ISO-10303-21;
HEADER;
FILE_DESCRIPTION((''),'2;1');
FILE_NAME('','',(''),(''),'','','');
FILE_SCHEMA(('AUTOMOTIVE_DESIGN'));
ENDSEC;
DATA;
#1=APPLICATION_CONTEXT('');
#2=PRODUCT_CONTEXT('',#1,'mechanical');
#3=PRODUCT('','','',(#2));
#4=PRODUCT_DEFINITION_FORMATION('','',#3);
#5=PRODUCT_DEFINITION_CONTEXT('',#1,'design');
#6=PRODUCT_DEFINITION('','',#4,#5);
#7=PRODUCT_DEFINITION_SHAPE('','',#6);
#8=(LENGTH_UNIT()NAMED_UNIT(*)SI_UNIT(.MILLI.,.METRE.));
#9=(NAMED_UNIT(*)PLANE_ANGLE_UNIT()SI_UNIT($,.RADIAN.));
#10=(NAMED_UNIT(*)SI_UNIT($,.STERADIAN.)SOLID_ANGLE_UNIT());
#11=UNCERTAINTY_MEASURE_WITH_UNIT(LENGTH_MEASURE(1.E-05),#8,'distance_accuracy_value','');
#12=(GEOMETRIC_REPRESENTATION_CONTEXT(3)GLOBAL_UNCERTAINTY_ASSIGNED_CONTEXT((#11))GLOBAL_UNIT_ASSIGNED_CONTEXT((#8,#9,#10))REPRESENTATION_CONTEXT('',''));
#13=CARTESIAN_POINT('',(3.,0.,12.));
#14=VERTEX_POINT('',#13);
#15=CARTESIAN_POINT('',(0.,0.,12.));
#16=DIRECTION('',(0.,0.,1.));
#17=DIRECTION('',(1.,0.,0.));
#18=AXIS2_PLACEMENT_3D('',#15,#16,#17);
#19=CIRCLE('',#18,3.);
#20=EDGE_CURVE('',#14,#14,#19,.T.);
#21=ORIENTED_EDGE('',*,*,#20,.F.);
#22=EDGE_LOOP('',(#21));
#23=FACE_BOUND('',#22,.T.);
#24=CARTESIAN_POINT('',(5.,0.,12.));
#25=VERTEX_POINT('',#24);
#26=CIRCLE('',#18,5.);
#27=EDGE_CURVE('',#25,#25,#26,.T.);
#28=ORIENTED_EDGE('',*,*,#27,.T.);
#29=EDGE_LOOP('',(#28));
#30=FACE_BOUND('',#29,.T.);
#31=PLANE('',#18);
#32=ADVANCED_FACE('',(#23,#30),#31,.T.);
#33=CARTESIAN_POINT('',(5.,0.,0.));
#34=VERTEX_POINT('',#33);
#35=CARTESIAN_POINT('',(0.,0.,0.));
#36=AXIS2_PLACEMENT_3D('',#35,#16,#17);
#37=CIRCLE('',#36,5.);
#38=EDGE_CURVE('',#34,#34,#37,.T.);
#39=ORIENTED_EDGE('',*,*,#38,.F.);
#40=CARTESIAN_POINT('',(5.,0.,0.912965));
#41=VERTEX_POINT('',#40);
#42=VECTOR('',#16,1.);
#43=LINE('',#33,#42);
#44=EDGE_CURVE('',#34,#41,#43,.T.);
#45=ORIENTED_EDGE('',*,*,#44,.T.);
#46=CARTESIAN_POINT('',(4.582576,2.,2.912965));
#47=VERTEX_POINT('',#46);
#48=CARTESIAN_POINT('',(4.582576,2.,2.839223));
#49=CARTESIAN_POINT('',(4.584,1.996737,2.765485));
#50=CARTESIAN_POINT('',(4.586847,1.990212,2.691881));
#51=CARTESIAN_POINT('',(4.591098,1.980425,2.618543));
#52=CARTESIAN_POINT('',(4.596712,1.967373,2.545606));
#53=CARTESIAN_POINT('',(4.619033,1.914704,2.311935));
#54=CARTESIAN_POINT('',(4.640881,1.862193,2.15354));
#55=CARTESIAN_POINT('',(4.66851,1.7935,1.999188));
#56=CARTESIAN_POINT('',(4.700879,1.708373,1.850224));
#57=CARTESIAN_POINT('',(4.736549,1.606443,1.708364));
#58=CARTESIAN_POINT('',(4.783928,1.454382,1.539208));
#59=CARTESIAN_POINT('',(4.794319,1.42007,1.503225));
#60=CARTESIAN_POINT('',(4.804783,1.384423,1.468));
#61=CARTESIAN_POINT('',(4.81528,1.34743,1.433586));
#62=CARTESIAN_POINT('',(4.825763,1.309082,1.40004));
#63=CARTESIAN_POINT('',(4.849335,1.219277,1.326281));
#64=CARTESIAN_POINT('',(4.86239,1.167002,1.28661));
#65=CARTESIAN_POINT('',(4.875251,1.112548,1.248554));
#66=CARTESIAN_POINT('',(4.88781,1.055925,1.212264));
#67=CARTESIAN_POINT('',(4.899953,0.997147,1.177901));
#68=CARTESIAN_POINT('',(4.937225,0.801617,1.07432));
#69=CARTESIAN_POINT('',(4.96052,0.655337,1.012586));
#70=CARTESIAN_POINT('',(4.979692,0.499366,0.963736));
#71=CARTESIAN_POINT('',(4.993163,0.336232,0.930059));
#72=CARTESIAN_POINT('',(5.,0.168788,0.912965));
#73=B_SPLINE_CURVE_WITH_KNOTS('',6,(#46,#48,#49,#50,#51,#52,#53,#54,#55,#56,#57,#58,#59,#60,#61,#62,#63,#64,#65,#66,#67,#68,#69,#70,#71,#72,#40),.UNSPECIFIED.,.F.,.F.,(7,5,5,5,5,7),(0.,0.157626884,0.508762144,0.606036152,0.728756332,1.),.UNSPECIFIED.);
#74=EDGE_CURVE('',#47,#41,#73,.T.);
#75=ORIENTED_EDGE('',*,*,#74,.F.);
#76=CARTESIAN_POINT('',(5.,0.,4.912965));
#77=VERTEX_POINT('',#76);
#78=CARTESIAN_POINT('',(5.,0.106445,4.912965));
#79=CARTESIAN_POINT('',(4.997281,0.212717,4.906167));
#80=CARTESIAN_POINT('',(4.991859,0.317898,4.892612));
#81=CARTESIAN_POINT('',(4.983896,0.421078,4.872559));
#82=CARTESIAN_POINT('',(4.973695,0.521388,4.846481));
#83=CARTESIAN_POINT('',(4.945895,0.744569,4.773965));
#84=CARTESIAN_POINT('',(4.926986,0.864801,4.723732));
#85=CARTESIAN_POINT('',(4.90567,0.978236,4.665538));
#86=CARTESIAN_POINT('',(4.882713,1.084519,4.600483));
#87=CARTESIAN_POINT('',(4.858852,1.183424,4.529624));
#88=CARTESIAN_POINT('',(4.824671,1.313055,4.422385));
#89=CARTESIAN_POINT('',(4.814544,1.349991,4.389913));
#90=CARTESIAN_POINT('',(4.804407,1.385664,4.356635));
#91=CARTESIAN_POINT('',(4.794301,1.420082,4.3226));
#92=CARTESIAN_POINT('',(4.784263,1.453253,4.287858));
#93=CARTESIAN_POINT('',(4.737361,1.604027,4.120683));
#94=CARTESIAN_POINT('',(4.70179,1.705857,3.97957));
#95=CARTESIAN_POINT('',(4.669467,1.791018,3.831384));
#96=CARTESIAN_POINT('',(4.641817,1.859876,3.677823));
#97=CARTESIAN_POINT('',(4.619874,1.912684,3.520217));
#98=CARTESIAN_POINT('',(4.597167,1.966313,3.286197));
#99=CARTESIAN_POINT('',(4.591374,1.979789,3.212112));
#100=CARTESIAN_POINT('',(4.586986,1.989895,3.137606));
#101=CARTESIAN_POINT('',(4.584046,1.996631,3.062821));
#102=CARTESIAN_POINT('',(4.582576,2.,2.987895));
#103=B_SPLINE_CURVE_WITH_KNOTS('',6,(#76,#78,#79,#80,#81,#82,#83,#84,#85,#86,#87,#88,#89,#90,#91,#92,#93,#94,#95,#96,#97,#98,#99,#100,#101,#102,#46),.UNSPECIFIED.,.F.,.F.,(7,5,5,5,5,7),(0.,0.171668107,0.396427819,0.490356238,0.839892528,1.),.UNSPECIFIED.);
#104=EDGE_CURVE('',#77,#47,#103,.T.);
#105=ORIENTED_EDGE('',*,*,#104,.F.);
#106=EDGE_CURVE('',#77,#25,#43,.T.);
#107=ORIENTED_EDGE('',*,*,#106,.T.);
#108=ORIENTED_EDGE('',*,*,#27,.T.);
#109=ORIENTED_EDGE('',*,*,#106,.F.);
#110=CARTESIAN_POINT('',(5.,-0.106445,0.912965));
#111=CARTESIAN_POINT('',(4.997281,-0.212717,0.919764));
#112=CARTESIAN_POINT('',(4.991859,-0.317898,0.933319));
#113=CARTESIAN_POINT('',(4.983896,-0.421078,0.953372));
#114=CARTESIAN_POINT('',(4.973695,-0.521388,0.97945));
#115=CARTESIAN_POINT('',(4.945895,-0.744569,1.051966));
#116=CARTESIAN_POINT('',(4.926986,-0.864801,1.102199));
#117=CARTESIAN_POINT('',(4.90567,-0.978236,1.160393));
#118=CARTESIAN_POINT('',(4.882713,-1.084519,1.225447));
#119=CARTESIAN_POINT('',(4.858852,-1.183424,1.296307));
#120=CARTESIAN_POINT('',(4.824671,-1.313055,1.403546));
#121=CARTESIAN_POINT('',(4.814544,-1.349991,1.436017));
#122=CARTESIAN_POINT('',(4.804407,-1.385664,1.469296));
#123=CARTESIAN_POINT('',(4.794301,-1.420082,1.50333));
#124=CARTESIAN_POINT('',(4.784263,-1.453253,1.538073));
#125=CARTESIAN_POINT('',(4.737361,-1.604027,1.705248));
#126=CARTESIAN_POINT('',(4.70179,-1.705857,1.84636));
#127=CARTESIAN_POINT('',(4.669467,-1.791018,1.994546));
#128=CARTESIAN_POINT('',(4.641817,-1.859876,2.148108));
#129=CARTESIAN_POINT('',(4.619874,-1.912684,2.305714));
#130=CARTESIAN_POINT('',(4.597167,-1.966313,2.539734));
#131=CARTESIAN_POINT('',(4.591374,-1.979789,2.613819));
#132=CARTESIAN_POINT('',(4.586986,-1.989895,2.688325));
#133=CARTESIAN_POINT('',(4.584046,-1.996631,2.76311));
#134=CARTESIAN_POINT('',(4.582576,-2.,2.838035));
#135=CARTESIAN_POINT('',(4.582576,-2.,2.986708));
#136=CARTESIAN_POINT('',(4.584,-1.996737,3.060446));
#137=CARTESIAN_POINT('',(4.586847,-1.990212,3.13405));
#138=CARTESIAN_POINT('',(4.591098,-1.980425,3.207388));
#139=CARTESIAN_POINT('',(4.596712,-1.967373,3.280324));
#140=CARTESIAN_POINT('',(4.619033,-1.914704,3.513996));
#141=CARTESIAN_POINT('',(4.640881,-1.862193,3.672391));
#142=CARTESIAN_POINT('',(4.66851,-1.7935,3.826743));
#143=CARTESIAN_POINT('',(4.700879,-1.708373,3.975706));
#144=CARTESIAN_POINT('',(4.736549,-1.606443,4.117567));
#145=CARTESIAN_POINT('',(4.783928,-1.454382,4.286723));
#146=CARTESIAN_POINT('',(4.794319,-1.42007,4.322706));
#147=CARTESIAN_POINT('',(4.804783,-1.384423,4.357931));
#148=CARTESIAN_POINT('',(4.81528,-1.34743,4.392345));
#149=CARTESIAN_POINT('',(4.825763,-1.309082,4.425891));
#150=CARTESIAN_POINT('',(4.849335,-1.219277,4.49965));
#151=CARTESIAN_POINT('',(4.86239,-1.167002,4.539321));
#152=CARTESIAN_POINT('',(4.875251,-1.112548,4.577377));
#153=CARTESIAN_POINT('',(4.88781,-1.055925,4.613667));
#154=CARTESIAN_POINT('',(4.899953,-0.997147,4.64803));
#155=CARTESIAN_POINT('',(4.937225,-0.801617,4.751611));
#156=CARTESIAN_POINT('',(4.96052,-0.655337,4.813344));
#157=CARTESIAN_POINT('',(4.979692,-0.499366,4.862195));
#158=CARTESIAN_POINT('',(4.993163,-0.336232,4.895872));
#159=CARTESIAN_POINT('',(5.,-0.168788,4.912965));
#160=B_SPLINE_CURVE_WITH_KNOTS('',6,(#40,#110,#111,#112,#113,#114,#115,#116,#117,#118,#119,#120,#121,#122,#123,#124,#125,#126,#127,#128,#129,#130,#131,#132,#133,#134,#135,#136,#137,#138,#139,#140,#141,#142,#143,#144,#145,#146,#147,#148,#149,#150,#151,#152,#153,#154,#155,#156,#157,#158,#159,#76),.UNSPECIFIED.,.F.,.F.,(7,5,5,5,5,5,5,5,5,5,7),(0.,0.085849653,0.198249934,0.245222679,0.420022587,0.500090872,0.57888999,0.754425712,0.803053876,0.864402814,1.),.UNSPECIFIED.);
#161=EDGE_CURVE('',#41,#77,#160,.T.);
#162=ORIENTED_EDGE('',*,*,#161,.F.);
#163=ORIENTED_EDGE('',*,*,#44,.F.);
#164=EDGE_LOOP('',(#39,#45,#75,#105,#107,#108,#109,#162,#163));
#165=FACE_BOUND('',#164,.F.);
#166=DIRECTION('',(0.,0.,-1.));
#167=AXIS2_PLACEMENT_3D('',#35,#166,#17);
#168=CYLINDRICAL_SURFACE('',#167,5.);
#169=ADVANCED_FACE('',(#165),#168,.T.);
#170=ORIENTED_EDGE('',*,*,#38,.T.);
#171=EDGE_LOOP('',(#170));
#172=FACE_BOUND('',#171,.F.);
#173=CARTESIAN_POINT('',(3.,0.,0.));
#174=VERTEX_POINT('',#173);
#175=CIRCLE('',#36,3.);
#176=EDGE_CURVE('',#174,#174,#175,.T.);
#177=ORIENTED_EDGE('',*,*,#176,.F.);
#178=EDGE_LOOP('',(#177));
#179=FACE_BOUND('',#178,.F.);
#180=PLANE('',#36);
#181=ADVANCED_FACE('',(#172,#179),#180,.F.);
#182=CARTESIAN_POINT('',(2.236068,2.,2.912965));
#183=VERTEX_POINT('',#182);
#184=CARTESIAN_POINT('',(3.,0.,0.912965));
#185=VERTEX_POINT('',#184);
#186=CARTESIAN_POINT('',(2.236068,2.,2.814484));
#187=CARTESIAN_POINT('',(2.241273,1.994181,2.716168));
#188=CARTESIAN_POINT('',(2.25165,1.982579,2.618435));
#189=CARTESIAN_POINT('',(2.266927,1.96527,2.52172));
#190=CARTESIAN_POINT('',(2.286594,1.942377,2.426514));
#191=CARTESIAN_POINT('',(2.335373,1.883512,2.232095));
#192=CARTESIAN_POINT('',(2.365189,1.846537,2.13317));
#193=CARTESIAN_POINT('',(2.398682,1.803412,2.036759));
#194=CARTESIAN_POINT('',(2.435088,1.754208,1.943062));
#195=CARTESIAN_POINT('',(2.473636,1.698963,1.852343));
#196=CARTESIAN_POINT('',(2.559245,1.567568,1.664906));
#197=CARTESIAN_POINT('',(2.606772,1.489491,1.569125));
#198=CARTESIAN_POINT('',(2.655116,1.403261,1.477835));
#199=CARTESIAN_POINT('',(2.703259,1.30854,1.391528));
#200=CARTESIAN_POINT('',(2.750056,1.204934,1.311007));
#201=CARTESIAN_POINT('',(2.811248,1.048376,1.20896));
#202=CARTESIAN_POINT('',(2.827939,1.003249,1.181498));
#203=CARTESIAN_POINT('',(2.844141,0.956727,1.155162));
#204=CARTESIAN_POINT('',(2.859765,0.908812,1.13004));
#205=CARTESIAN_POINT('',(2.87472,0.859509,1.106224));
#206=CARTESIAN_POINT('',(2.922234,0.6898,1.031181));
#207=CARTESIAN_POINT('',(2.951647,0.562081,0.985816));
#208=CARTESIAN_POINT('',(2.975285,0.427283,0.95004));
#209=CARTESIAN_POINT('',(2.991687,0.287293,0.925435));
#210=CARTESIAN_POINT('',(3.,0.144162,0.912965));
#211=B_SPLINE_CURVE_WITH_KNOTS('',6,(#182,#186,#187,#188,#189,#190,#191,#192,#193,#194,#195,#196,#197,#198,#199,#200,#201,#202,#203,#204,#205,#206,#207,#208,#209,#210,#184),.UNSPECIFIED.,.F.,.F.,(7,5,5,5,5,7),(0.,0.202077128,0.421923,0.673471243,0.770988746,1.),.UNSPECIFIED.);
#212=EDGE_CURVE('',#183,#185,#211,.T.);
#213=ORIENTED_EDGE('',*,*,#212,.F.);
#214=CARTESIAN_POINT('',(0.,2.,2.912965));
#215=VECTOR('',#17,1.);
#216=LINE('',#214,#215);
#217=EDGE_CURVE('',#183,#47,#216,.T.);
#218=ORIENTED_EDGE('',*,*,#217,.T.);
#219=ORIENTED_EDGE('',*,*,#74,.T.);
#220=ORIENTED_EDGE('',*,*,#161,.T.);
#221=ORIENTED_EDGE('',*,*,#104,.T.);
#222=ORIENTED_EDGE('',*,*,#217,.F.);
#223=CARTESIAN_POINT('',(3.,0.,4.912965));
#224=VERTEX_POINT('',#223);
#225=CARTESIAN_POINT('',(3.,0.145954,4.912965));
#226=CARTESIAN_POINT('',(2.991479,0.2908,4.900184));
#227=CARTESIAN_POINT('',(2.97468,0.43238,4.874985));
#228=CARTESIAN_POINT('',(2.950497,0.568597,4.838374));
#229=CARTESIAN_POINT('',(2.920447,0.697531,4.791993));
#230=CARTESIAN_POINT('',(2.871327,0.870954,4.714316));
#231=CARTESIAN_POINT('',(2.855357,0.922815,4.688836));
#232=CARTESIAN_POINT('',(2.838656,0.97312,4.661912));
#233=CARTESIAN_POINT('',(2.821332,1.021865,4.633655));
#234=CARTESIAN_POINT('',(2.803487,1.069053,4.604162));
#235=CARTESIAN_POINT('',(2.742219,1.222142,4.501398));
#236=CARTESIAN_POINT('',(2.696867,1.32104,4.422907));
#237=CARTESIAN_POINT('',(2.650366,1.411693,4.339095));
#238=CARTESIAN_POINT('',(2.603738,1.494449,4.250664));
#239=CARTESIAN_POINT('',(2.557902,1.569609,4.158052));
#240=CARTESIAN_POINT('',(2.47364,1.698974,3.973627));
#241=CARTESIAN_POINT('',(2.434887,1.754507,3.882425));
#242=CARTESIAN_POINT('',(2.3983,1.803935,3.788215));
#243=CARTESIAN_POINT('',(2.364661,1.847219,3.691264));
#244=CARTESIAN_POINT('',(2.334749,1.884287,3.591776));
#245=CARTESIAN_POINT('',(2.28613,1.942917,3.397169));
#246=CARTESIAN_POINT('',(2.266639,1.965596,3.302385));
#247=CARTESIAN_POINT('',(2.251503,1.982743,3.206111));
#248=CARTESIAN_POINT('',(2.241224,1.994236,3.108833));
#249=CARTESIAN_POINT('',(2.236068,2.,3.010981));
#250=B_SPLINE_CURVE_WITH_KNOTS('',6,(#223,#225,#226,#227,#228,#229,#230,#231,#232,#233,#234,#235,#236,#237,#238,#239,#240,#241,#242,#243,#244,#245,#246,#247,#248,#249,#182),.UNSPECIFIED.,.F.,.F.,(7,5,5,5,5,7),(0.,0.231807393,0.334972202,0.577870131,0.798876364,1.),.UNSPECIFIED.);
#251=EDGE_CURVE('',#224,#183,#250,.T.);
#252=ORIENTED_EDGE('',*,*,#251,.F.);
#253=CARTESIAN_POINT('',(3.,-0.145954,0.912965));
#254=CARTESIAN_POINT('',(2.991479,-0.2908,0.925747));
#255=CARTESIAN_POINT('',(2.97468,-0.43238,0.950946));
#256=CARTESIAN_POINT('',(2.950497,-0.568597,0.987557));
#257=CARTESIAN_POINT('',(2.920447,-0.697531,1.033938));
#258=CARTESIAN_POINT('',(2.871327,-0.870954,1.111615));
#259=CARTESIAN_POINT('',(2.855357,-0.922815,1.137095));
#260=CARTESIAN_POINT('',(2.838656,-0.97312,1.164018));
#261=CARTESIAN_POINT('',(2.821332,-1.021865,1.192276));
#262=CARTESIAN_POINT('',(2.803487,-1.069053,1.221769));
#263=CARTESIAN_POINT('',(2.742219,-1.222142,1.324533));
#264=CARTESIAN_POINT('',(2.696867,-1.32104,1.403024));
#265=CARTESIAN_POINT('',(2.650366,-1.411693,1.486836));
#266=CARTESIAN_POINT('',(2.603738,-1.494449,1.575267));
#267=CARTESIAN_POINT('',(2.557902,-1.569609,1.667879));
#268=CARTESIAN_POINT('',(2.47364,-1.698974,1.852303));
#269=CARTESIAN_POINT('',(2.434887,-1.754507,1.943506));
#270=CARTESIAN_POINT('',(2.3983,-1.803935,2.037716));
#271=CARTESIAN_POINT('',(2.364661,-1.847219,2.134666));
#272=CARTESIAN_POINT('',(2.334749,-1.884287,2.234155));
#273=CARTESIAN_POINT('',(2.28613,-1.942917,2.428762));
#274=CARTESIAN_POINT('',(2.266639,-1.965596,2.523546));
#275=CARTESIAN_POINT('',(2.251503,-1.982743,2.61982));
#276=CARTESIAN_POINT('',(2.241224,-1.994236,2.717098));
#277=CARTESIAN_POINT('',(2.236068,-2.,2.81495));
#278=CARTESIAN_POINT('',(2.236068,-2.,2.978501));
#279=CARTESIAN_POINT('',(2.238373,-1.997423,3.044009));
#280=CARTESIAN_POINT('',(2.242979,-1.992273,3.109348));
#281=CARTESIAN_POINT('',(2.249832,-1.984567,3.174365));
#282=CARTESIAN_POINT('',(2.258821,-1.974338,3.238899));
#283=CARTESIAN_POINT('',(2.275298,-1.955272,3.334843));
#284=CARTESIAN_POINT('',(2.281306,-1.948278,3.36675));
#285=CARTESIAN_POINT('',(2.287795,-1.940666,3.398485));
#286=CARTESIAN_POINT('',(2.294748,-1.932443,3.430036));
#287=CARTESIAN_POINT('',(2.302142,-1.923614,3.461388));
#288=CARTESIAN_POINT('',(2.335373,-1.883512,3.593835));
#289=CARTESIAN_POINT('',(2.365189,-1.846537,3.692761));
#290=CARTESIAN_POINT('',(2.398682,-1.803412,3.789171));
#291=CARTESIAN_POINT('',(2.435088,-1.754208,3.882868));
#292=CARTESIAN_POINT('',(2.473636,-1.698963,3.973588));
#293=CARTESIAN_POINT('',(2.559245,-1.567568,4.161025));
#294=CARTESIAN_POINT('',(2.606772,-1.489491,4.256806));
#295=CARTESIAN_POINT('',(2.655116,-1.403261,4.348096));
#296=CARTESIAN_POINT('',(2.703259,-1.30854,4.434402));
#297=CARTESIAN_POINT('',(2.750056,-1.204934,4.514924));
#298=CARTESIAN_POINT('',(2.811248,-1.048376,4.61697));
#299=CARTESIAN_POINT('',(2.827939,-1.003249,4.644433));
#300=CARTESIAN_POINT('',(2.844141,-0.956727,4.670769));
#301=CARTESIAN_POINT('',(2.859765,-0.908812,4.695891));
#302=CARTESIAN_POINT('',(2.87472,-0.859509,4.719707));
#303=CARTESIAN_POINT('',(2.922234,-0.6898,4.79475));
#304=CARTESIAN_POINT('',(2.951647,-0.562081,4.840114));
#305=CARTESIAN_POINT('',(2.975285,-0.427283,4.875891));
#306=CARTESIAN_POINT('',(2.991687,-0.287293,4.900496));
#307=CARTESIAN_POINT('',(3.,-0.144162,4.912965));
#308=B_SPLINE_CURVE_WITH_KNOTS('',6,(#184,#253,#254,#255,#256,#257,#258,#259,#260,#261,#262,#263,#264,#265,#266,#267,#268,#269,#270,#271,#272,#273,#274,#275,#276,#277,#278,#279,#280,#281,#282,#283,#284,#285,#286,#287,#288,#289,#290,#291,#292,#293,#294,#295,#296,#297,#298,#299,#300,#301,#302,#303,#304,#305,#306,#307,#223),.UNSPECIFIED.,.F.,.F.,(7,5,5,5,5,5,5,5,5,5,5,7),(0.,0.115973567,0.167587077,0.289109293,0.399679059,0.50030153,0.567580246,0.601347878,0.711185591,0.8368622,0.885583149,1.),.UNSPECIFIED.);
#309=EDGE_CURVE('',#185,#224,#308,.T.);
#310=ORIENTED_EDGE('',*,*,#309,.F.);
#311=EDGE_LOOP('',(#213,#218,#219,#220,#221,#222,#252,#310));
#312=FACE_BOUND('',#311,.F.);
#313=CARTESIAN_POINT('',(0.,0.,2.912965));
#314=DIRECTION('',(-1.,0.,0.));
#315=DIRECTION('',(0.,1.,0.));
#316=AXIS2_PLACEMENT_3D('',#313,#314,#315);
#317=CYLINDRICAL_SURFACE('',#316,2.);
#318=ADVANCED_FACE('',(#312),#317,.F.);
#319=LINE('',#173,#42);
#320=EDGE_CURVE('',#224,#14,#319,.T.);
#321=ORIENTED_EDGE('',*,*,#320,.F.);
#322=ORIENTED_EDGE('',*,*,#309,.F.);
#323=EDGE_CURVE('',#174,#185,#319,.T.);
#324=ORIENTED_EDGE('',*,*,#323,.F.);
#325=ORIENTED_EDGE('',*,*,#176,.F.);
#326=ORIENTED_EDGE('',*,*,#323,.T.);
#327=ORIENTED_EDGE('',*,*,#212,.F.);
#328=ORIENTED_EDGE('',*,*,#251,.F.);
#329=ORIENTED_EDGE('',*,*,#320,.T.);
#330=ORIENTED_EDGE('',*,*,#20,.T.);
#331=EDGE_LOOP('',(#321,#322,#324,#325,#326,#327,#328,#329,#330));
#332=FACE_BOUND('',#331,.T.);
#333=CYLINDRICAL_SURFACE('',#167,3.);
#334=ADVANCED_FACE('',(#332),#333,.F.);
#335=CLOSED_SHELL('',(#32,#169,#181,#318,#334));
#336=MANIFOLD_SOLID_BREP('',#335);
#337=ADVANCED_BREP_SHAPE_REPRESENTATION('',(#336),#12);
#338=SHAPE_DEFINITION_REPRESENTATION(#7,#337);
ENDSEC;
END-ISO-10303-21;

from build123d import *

# Parameters (mm, degrees)
F0_R     = 5
F0_R_2   = 3
F1_DEPTH = 12
F3_D     = 4
F3_DEPTH = 5.001


with BuildPart() as f1:
    # F0 (on Top) → F1 (new body)
    with BuildSketch(Plane.XY):
        Circle(F0_R)
        Circle(F0_R_2, mode=Mode.SUBTRACT)
    extrude(amount=F1_DEPTH)

    # F3 (through all, one way)
    with BuildSketch(Plane(origin=(0, 0, 0), x_dir=(0, 1, 0), z_dir=(-1, 0, 0))):
        with Locations((0, -2.9129653703)):
            Circle(F3_D / 2)
    extrude(amount=-F3_DEPTH, mode=Mode.SUBTRACT)


solid = f1.part
